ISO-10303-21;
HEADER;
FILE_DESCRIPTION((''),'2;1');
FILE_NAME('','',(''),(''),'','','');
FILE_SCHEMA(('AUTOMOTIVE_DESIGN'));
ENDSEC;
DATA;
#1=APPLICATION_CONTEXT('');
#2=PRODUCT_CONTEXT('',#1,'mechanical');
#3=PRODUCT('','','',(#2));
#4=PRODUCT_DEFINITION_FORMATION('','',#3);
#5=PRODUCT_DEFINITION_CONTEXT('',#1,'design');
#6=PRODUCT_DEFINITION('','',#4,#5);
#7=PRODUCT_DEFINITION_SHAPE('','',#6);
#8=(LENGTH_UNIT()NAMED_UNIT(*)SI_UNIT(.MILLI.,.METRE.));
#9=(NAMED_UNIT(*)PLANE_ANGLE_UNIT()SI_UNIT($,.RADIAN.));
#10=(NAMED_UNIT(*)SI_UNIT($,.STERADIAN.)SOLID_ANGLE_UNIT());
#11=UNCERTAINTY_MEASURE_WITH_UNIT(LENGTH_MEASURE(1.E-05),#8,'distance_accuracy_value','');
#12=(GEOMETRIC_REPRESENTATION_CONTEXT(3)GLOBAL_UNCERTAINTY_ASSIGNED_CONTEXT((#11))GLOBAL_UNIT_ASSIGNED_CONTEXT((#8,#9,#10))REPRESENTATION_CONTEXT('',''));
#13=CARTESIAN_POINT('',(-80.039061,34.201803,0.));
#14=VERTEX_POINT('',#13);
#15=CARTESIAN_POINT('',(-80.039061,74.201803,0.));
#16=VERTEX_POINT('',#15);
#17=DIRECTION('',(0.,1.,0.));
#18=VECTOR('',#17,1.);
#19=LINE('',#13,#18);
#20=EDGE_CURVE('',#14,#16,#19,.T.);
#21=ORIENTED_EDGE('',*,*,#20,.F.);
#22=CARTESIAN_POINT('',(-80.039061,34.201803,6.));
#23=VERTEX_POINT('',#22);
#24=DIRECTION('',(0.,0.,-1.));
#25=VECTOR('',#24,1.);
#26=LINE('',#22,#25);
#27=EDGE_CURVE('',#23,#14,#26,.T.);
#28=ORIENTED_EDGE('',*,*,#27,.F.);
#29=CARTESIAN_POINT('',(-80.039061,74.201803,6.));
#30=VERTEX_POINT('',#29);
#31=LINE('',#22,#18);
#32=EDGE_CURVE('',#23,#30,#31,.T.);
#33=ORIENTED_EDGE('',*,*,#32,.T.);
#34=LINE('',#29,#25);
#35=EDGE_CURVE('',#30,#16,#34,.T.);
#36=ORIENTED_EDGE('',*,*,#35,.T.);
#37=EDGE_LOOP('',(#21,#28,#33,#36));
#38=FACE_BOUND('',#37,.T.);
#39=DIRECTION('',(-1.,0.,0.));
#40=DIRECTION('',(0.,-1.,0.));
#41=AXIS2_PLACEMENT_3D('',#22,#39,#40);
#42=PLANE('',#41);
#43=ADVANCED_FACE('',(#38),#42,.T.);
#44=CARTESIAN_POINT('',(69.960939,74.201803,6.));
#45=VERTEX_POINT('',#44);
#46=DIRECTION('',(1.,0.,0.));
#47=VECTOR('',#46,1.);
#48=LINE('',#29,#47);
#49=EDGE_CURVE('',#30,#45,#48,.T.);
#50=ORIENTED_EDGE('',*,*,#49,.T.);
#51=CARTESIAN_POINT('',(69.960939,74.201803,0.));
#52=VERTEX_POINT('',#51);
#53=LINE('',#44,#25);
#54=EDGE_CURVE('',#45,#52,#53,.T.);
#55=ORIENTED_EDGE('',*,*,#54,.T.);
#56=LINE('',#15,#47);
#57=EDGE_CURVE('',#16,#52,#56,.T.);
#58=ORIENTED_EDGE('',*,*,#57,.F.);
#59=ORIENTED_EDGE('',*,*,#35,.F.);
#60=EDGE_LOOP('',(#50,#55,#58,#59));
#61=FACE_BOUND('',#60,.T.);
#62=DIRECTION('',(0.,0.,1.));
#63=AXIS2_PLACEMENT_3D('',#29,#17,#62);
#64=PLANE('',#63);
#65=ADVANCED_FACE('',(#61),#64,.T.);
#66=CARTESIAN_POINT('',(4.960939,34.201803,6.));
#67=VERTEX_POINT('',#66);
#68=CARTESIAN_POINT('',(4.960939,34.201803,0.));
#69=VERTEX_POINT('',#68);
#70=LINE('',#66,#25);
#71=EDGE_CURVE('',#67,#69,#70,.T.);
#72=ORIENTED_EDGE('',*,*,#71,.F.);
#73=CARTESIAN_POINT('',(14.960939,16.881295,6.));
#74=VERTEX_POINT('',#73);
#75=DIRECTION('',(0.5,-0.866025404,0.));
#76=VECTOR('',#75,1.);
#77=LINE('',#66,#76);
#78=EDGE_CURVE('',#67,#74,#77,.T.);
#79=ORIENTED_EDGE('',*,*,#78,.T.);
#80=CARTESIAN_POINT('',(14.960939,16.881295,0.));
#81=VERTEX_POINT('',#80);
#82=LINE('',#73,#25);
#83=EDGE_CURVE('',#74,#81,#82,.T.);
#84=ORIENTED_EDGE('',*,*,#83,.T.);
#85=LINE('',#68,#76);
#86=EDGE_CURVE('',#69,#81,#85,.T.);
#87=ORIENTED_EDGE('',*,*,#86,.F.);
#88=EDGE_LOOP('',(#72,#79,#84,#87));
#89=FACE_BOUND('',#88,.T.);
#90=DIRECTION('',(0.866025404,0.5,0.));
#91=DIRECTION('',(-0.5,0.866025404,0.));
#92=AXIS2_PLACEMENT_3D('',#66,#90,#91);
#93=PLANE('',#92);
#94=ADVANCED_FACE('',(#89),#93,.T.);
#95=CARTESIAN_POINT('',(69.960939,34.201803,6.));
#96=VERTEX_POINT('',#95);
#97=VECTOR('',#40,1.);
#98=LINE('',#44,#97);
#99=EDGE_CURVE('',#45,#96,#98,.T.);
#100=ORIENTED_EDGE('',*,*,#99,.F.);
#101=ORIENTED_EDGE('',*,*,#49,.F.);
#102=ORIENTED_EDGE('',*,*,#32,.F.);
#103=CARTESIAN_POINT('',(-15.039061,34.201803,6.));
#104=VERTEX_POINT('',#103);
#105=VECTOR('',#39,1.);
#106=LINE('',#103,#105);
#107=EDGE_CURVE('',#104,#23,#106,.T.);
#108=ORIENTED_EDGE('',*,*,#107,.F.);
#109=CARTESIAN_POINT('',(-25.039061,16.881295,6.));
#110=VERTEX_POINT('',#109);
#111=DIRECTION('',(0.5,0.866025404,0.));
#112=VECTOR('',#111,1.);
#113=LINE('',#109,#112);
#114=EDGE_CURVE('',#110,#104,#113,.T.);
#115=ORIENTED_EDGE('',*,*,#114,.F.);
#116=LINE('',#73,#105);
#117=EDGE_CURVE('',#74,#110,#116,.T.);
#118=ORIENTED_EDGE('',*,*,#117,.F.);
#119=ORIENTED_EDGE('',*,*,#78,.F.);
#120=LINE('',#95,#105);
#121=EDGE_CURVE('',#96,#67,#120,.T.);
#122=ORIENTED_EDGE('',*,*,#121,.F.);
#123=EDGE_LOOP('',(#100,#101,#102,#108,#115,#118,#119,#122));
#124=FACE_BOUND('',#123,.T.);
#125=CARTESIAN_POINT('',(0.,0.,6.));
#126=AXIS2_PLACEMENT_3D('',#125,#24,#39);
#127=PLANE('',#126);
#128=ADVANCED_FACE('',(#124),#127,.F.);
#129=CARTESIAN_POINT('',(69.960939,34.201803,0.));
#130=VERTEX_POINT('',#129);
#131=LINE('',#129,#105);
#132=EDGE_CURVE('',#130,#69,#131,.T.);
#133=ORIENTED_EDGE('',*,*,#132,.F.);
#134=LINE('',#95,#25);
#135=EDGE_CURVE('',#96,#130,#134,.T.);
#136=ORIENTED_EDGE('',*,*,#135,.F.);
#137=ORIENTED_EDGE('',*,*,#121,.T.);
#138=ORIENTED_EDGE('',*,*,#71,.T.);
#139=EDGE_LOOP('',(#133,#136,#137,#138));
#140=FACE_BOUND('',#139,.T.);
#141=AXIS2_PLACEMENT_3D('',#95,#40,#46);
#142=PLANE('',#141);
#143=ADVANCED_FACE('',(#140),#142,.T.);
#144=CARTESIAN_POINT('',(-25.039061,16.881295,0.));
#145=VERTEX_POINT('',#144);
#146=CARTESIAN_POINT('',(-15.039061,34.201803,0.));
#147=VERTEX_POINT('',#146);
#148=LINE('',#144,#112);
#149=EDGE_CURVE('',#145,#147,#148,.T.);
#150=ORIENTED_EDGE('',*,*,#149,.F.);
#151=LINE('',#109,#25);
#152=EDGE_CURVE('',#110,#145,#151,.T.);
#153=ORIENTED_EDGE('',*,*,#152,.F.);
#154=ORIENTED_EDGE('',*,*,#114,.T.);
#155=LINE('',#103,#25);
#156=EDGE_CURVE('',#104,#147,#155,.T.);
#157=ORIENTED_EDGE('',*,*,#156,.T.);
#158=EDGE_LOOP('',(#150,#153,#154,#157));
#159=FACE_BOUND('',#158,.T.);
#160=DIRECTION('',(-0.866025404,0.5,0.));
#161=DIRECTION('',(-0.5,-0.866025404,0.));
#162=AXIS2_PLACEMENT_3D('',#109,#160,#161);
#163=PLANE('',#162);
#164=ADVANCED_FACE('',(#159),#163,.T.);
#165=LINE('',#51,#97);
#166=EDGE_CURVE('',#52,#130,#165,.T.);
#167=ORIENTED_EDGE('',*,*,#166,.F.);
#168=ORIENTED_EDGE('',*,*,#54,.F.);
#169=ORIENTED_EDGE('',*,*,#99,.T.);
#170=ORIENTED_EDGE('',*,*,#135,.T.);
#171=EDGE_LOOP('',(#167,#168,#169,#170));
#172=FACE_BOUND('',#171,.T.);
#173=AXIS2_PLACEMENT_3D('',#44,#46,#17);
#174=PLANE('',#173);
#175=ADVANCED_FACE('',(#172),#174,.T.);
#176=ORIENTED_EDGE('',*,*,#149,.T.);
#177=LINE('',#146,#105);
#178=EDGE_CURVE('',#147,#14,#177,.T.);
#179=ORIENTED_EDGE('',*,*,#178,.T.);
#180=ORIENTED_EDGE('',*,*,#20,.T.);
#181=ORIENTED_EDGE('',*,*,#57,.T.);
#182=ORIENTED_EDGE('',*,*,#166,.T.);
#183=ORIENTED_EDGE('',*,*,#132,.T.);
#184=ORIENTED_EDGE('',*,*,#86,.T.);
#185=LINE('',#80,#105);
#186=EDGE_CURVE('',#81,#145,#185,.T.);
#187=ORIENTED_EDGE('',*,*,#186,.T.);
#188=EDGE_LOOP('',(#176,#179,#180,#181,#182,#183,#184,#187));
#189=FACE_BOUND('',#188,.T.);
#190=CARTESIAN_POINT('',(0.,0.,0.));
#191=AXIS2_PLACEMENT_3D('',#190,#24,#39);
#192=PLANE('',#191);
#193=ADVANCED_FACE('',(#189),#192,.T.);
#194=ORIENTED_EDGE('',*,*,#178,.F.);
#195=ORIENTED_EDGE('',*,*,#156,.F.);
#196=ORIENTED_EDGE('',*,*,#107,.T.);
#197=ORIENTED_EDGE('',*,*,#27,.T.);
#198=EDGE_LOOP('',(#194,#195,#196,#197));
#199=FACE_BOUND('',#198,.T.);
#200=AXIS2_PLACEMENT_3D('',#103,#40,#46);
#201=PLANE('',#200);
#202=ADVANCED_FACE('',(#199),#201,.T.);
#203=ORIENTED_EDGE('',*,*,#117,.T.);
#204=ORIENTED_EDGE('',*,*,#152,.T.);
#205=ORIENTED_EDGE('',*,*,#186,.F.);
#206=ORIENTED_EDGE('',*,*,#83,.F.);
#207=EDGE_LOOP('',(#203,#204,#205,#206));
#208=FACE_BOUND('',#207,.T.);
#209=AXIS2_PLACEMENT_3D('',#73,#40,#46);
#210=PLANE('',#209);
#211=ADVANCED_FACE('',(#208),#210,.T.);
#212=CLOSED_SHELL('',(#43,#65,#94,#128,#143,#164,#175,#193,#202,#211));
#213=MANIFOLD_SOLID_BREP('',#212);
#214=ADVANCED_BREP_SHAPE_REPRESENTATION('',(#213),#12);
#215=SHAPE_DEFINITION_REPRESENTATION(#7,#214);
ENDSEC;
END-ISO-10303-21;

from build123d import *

# Parameters (mm, degrees)
BOSS_EXTRU_1_DEPTH = 6


with BuildPart() as part:
    # Esquisse1 → Boss.-Extru.1 (new body)
    with BuildSketch(Plane.XY):
        Polygon((-80.03906112, 74.201802975), (69.96093888, 74.201802975), (69.96093888, 34.201802975), (4.96093888, 34.201802975), (14.96093888, 16.8812949), (-25.03906112, 16.8812949), (-15.03906112, 34.201802975), (-80.03906112, 34.201802975), align=None)
    extrude(amount=BOSS_EXTRU_1_DEPTH)


solid = part.part
